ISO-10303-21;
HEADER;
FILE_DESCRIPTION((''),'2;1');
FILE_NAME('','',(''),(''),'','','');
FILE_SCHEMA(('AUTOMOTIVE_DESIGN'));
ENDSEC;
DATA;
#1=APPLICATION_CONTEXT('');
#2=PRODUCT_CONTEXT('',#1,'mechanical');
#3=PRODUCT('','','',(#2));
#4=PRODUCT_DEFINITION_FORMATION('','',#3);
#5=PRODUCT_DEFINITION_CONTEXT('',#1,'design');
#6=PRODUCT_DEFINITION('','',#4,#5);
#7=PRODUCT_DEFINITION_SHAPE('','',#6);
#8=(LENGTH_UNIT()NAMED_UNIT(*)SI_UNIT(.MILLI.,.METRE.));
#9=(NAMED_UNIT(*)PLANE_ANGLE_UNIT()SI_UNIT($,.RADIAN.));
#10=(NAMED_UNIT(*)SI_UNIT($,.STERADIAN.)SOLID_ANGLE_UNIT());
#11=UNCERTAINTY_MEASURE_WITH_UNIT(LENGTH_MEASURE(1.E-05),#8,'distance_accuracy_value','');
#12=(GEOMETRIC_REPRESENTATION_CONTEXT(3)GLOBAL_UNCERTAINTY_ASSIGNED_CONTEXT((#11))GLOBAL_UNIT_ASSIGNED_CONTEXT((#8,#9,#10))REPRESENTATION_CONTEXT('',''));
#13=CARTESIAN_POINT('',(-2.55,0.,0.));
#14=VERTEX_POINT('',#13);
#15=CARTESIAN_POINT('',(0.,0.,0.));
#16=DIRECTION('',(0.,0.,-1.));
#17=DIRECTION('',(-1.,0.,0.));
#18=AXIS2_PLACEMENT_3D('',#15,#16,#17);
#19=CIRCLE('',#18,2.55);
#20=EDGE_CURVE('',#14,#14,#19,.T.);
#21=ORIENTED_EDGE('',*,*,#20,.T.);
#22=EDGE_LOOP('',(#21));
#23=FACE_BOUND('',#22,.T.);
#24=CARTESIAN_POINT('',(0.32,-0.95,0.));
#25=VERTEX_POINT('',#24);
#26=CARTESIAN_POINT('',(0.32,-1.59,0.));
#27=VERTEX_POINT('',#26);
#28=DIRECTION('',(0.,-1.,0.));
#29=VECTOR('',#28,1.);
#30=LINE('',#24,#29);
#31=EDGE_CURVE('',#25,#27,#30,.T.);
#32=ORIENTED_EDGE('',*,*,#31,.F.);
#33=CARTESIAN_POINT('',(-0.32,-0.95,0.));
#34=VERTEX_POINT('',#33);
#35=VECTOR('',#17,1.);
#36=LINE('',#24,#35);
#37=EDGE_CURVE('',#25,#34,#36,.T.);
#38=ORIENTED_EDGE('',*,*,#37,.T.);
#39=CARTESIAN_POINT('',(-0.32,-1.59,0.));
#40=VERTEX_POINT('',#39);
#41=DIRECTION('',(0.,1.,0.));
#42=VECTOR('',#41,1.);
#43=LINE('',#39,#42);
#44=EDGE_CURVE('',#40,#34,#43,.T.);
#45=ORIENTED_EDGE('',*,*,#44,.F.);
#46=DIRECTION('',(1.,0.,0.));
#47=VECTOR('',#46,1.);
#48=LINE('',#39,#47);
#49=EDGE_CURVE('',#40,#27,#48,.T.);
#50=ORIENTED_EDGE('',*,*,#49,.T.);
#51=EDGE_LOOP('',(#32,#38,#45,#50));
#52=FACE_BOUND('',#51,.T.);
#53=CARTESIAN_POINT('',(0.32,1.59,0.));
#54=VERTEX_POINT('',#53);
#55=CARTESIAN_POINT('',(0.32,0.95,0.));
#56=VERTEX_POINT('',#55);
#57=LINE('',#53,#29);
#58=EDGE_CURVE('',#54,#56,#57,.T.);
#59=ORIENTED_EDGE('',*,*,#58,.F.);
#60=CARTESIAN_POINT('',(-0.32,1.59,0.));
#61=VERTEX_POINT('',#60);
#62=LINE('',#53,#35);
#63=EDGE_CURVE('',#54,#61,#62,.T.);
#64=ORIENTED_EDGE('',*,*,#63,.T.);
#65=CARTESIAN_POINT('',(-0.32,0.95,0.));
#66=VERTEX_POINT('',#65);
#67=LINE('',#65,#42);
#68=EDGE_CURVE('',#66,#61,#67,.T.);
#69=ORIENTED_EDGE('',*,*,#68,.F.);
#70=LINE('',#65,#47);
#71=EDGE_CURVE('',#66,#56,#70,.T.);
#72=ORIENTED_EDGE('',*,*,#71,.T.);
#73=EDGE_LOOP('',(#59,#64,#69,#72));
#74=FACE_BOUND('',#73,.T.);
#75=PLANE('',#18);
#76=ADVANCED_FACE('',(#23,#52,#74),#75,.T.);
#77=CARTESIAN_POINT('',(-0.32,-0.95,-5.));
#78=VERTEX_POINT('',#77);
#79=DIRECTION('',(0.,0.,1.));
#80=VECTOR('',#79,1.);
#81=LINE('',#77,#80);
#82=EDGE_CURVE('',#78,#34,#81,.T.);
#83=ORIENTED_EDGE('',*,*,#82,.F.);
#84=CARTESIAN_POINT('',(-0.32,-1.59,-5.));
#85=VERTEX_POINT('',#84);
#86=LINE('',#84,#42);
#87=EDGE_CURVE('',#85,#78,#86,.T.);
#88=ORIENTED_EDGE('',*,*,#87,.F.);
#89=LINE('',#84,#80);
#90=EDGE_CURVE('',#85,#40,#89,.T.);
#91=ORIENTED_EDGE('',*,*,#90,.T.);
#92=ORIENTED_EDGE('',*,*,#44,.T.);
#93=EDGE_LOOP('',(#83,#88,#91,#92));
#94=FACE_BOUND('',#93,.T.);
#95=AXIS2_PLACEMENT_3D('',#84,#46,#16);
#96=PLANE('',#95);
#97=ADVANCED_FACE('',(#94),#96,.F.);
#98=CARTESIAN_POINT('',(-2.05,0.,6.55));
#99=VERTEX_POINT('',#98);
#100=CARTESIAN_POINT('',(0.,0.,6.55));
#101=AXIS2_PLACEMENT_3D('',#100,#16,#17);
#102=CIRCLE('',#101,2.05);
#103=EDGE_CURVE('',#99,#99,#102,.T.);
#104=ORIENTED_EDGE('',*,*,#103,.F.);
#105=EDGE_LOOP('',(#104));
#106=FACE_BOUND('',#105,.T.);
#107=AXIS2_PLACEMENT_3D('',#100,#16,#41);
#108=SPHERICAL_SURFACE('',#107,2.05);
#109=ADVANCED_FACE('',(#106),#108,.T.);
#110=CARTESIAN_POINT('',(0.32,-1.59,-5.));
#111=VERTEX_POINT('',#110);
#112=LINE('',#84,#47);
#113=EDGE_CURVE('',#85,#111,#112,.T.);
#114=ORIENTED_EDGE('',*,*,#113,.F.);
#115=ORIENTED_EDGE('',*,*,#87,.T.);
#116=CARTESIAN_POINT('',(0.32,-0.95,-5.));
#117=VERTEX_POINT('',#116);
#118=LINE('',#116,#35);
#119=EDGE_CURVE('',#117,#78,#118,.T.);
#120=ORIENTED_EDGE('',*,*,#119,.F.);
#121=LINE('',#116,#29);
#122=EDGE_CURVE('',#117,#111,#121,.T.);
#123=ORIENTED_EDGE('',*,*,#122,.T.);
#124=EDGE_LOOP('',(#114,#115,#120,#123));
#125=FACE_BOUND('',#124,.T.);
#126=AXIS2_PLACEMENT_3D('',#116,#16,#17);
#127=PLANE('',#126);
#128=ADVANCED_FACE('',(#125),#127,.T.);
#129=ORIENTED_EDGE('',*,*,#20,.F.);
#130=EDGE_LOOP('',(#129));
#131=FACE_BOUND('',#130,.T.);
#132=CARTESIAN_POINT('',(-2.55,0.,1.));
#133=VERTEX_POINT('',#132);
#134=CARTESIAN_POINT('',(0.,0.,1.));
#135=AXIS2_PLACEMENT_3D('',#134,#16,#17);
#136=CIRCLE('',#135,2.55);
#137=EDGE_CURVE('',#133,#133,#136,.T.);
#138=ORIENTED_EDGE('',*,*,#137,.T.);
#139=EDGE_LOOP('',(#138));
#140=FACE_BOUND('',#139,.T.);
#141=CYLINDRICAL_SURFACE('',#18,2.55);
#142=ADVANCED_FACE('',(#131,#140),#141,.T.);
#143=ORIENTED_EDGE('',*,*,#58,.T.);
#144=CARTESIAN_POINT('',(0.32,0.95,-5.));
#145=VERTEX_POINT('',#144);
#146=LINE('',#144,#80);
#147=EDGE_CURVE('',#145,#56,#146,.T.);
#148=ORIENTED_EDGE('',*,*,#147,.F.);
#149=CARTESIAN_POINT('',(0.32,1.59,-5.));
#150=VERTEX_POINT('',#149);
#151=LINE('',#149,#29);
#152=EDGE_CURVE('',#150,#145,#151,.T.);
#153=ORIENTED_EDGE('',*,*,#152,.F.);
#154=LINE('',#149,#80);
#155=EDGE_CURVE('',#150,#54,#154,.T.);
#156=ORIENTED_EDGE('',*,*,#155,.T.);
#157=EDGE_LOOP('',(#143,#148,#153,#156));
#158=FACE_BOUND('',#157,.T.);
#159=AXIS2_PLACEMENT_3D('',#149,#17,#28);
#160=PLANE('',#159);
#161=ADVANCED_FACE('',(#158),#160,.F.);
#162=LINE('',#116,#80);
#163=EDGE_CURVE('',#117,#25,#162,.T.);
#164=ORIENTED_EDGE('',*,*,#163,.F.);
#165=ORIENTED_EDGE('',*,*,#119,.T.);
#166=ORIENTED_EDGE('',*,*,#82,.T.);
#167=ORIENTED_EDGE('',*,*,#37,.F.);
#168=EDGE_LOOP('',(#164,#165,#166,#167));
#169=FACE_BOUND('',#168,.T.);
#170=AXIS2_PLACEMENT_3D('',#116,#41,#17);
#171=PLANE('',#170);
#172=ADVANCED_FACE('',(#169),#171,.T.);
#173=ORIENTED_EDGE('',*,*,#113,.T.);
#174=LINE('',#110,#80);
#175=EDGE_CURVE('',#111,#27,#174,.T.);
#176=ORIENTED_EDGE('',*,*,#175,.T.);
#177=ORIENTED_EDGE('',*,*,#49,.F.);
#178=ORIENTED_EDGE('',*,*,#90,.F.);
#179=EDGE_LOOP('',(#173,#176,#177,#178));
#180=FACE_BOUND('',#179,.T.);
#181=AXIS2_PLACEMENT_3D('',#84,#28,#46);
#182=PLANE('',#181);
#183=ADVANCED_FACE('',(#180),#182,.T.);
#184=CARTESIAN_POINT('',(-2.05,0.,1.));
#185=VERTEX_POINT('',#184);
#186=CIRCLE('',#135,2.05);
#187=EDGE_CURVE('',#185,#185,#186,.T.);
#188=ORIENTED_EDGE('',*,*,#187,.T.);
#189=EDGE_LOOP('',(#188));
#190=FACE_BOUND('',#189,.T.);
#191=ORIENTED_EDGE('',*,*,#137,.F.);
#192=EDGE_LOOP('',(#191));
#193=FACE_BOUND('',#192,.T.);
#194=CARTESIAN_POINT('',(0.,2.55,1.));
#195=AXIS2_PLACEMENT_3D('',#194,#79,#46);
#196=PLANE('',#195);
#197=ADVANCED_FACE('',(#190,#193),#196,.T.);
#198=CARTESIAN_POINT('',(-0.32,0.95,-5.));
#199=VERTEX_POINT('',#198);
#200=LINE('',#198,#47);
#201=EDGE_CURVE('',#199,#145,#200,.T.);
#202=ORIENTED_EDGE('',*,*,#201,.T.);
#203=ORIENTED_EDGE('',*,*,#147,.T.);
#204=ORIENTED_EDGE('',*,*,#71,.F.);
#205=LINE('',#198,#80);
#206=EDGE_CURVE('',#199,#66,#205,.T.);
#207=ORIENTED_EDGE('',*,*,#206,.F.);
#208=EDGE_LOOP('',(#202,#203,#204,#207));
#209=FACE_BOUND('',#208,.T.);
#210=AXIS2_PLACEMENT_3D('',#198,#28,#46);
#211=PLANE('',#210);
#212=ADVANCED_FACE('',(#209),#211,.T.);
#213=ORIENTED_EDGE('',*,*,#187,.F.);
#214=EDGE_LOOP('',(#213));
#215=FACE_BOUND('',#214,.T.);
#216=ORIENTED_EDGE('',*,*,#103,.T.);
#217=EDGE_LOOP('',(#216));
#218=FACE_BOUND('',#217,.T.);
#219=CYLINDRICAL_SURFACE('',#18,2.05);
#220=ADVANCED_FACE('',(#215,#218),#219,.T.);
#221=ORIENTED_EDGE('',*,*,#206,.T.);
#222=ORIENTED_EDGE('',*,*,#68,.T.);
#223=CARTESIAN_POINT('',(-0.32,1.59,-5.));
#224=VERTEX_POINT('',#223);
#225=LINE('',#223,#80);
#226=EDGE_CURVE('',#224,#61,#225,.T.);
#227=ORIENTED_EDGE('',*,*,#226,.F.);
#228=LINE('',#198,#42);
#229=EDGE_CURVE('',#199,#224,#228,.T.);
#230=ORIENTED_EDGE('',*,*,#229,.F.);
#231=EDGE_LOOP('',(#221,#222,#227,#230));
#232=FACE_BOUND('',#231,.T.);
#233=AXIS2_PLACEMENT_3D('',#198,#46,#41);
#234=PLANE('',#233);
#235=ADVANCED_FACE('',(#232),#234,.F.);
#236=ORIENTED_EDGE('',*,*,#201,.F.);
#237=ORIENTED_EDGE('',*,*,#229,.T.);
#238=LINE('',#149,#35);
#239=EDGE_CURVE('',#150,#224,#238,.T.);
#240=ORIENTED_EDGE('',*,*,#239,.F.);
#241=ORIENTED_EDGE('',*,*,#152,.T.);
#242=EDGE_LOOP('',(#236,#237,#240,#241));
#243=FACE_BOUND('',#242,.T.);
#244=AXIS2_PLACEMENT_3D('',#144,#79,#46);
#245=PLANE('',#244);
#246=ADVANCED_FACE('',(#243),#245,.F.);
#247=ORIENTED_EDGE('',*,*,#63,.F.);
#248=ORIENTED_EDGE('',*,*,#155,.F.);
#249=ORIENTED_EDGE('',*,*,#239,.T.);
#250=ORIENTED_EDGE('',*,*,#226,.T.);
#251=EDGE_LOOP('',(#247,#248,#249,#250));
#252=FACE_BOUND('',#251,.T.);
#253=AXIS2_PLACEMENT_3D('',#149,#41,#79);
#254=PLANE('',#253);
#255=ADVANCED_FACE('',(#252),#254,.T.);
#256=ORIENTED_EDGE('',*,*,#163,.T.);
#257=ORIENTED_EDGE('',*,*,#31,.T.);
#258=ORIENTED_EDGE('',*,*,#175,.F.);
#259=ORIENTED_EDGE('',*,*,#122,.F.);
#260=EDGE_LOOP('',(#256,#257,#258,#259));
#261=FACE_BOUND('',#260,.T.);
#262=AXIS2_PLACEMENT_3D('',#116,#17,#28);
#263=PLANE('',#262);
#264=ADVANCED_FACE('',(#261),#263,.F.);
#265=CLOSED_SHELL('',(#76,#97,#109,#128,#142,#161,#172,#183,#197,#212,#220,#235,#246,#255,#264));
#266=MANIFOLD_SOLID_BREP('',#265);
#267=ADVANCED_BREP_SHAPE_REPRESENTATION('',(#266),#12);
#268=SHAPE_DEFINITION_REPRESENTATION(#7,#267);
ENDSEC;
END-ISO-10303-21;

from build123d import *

# Parameters (mm, degrees)
SKETCH3_W           = 0.64
SKETCH3_H           = 0.64
BOSS_EXTRUDE1_DEPTH = 5


with BuildPart() as part:
    # Sketch2 → Base-Revolve (revolve)
    with BuildSketch(Plane(origin=(0, 0, 0), x_dir=(0, 0, -1), z_dir=(1, 0, 0))):
        with BuildLine():
            Line((0, 0), (0, 2.55))
            Line((0, 2.55), (-1, 2.55))
            Line((-1, 2.55), (-1, 2.05))
            Line((-1, 2.05), (-6.55, 2.05))
            ThreePointArc((-6.55, 2.05), (-7.999568901, 1.449568901), (-8.6, 0))
            Line((-8.6, 0), (0, 0))
        make_face()
    revolve(axis=Axis((0, 0, 0), (0, 0, 1)))

    # Sketch3 → Boss-Extrude1 (add)
    with BuildSketch(Plane(origin=(0, 0, 0), x_dir=(-1, 0, 0), z_dir=(0, 0, -1))):
        with Locations((0, 1.27)):
            Rectangle(SKETCH3_W, SKETCH3_H)
        with Locations((0, -1.27)):
            Rectangle(SKETCH3_W, SKETCH3_H)
    extrude(amount=BOSS_EXTRUDE1_DEPTH)


solid = part.part
